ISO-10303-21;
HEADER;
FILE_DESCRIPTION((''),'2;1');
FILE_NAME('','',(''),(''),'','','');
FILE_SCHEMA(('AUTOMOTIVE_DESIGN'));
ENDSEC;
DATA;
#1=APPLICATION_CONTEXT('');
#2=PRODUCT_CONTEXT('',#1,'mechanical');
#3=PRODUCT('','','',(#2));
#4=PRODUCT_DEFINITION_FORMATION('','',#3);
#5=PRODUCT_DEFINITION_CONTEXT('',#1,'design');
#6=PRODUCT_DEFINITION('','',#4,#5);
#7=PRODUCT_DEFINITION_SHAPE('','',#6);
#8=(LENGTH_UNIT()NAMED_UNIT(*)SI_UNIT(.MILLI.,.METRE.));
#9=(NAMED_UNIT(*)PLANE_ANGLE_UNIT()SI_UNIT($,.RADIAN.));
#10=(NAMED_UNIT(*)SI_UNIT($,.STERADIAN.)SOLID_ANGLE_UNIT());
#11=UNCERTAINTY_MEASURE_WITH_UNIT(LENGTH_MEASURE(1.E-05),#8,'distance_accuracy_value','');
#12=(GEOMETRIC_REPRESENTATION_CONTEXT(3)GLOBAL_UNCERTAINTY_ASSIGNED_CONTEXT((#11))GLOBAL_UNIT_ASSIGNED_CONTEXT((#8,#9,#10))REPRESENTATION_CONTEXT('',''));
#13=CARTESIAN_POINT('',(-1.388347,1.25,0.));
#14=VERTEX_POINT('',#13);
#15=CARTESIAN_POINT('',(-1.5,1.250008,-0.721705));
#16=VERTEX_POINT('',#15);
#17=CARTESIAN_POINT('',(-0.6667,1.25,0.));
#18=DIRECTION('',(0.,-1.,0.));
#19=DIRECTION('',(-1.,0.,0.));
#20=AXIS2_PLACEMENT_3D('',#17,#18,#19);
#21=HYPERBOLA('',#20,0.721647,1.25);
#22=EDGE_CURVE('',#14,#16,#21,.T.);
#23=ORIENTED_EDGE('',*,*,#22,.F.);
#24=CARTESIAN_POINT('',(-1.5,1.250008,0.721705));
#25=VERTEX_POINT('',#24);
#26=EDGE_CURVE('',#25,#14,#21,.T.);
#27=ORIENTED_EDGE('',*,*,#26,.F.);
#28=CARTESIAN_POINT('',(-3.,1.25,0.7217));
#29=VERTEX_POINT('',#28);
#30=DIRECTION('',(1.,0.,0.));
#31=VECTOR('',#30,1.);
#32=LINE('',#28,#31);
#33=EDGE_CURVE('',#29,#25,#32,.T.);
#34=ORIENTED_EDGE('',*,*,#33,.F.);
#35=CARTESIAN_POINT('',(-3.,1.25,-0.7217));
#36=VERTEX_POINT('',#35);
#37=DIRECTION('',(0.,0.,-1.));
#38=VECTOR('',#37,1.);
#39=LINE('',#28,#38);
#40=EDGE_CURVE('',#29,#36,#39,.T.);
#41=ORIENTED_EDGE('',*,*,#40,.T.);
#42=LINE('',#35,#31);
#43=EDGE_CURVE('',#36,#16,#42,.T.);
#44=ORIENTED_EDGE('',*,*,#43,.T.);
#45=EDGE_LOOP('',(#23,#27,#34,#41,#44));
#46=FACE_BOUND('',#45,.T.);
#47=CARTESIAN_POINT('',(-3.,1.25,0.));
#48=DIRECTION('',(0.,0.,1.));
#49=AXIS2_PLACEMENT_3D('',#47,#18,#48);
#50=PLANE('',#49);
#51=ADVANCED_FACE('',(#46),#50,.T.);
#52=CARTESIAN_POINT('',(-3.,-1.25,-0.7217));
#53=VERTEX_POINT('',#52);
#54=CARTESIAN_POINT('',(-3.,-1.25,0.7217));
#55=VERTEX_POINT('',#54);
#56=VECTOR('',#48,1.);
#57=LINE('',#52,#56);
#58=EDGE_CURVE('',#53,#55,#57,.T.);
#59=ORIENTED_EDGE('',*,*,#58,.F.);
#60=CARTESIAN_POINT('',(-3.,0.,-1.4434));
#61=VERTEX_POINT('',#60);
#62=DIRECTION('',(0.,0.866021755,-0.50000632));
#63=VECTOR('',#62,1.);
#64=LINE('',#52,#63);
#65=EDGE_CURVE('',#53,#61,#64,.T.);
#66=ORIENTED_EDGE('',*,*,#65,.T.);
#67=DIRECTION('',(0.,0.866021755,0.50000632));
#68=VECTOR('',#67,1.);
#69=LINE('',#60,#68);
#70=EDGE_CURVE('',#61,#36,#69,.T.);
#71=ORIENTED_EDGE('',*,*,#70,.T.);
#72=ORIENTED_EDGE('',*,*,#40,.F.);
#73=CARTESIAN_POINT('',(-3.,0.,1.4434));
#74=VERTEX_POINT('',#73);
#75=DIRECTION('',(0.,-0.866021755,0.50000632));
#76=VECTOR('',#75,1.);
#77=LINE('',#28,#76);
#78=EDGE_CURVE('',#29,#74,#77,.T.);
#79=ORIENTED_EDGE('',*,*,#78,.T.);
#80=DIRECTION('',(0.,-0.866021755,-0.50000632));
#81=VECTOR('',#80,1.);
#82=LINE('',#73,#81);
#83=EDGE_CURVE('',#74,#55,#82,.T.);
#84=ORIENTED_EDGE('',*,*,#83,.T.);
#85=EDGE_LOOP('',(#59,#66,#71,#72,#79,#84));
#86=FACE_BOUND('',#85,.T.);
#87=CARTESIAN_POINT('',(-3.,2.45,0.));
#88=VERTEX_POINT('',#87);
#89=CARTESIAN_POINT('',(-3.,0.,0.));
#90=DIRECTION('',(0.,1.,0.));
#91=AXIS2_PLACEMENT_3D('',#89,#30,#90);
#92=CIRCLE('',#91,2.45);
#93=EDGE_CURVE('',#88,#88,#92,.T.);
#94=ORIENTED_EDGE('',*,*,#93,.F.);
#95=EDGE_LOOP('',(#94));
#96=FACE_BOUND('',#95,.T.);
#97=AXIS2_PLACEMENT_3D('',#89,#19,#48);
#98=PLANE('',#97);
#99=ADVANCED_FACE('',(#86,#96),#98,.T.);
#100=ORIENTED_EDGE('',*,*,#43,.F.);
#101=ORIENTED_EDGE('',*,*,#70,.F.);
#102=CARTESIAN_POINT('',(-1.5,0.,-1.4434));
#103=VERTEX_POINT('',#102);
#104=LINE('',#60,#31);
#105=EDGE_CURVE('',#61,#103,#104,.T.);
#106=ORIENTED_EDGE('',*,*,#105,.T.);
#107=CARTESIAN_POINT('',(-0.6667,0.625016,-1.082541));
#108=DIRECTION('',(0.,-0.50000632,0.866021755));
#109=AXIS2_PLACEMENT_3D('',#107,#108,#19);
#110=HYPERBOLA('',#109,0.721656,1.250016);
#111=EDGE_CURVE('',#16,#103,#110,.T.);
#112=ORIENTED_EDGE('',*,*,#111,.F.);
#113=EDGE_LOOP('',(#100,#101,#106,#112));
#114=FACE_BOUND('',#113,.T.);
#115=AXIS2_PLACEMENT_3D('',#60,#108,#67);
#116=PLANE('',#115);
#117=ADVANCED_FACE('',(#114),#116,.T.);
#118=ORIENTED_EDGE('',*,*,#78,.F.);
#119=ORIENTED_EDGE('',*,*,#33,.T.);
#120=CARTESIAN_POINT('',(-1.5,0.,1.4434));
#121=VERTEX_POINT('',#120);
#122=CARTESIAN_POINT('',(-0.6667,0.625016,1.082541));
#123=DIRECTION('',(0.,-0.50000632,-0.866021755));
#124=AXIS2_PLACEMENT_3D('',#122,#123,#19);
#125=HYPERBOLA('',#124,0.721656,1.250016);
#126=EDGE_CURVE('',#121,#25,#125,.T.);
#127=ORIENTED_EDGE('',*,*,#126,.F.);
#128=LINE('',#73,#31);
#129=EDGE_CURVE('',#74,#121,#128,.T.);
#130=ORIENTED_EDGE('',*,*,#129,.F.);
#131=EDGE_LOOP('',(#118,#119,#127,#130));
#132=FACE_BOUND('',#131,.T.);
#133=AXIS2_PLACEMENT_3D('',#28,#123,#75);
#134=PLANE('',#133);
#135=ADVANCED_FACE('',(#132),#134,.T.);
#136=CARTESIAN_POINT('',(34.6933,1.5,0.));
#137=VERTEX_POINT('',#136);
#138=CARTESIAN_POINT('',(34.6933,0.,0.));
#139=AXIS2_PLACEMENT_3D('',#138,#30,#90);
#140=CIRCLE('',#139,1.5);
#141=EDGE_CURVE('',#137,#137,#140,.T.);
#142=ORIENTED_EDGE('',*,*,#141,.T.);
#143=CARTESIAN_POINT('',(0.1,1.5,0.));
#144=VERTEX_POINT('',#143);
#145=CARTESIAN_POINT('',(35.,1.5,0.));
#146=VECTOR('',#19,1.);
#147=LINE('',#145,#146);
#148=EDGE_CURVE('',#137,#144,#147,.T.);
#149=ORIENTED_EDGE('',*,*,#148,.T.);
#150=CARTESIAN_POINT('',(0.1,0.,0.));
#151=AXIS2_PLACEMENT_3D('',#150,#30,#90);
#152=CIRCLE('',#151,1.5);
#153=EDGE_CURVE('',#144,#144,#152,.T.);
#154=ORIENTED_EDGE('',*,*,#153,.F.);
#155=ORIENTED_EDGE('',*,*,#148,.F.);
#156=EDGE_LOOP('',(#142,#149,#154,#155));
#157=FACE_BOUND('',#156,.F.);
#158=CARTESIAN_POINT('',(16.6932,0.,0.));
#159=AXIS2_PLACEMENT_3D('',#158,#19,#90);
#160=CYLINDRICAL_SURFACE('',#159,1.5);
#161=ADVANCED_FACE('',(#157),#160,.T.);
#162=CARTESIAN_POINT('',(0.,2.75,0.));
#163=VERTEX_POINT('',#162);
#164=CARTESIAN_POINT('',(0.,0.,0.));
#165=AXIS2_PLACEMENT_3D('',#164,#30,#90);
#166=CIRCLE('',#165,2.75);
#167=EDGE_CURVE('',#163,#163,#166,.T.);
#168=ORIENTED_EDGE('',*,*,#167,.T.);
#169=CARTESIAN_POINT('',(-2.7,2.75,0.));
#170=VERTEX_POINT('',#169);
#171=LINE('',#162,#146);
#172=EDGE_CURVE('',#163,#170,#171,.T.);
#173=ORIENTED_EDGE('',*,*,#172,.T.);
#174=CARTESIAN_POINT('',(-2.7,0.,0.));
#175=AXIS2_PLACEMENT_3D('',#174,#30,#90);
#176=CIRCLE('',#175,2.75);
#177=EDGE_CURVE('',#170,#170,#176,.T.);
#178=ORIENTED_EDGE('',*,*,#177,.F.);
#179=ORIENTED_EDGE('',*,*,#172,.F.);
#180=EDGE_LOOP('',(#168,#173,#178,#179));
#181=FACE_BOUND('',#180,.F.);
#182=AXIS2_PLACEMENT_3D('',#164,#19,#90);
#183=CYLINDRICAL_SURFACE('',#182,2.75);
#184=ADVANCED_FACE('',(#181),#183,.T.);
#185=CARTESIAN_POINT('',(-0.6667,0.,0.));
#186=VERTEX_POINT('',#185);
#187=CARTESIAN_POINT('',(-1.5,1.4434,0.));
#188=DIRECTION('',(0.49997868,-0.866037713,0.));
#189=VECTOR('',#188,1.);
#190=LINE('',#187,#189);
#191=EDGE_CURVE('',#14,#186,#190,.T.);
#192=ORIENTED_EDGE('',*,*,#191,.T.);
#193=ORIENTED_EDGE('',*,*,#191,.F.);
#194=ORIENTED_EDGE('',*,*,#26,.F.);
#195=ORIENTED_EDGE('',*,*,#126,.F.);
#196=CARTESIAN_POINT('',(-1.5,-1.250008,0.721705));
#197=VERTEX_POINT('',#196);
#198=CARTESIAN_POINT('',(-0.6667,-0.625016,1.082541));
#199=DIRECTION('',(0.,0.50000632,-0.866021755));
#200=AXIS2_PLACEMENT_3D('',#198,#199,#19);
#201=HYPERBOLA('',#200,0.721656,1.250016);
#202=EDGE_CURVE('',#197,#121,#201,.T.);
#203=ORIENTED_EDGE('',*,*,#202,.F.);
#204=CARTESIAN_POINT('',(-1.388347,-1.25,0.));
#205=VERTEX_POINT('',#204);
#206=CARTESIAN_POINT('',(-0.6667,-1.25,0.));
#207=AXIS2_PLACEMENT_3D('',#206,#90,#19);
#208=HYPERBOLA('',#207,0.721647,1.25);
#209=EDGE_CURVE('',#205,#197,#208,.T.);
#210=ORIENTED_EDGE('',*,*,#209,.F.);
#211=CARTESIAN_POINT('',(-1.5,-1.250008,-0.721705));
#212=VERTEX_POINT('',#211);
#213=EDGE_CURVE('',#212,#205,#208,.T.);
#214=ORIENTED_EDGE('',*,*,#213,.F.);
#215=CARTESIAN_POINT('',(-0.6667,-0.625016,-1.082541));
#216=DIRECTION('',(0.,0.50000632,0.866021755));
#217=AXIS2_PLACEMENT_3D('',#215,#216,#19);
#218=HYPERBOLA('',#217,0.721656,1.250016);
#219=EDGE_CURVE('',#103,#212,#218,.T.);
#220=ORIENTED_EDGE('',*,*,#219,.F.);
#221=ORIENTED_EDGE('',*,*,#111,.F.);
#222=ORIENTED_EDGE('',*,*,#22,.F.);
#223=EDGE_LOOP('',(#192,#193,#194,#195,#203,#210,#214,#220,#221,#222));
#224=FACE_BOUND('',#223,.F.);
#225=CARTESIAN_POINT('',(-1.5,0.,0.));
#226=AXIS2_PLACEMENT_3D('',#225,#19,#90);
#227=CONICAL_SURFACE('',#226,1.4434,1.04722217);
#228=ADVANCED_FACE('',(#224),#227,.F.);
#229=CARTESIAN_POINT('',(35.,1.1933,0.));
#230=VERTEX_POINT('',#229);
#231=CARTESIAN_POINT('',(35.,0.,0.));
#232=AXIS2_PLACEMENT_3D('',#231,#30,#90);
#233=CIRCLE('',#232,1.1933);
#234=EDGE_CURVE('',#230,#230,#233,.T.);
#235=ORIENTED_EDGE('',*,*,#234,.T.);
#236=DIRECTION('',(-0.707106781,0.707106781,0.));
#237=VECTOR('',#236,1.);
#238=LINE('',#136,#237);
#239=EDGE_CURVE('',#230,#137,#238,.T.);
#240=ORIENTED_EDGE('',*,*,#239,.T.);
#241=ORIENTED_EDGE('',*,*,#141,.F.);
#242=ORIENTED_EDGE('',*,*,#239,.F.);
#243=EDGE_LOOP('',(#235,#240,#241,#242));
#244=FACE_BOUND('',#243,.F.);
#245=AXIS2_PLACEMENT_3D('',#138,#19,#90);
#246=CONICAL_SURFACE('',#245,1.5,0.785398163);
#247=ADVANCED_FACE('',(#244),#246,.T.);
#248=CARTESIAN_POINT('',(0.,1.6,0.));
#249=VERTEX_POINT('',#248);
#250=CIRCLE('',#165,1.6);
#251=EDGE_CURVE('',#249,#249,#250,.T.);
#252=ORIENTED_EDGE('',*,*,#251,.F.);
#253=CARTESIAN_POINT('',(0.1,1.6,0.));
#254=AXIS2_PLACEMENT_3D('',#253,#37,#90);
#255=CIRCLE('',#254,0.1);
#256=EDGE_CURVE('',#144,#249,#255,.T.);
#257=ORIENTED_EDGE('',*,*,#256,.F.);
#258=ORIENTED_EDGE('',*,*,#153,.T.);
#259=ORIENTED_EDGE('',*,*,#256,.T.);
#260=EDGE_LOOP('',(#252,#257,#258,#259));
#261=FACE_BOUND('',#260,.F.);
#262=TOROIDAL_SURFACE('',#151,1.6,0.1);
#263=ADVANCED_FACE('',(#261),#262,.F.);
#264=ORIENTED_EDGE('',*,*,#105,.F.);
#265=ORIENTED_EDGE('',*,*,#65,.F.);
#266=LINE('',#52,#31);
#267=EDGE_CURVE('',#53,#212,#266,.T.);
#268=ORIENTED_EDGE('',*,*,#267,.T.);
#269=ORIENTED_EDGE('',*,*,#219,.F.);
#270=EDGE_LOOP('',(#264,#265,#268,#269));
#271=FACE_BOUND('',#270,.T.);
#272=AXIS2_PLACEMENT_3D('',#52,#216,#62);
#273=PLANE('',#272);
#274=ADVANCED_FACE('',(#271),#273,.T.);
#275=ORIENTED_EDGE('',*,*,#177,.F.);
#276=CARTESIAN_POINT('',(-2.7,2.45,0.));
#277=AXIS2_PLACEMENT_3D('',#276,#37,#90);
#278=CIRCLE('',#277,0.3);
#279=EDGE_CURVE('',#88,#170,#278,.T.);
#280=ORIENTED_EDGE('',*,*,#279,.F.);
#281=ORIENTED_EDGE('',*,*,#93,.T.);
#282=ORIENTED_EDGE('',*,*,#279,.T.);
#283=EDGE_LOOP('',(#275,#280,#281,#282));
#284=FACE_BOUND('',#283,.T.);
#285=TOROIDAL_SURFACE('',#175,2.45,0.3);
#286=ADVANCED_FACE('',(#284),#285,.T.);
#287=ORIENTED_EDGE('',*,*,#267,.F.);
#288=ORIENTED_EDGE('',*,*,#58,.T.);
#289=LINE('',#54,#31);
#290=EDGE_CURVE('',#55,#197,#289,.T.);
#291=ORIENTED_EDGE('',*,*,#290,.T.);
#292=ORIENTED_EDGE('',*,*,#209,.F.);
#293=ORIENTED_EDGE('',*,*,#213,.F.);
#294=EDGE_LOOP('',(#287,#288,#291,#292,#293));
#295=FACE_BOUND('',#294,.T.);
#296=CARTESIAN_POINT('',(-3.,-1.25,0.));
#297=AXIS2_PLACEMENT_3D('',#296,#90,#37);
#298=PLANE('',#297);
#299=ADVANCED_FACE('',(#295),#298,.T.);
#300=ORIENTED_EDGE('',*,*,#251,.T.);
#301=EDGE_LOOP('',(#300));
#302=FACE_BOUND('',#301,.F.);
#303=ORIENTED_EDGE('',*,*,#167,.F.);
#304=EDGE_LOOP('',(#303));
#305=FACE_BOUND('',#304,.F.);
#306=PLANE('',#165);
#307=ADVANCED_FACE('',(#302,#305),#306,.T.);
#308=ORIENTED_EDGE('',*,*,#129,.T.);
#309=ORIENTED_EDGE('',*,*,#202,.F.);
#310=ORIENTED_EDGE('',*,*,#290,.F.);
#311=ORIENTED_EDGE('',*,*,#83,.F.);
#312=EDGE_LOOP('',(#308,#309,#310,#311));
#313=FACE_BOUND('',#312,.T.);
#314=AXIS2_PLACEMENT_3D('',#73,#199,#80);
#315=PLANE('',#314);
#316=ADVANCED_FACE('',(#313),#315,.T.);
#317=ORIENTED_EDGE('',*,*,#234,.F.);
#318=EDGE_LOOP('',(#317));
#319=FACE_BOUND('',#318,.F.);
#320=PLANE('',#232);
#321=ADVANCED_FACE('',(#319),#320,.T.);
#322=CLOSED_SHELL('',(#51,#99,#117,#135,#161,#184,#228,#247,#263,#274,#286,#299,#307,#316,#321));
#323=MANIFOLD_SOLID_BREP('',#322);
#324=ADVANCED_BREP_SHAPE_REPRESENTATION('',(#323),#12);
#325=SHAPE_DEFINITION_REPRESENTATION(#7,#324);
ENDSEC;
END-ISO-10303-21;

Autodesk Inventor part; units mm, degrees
ref_plane "YZ Plane" through (0, 0, 0) normal (1, 0, 0) x (0, 1, 0)
ref_plane "XZ Plane" through (0, 0, 0) normal (0, 1, 0) x (-1, 0, 0)
sketch "Sketch1" plane through (0, 0, 0) normal (0, 0, 1) x (1, 0, 0)
  line L0 (-0.6667, 0) -> (35, 0)
  line L1 (35, 0) -> (35, 1.5)
  line L2 (35, 1.5) -> (17, 1.5)
  line L3 (17, 1.5) -> (16.6932, 1.5)
  line L4 (16.6932, 1.5) -> (0, 1.5)
  line L5 (0, 1.5) -> (0, 2.75)
  line L6 (0, 2.75) -> (-3, 2.75)
  line L7 (-3, 2.75) -> (-3, 1.4434)
  line L8 (-3, 1.4434) -> (-1.5, 1.4434)
  line L9 (-1.5, 1.4434) -> (-0.6667, 0)
  line L10 (-10.6, 0) -> (42.6, 0) projected
  line L11 (0, -0.55) -> (0, 3.3) projected
  line L12 (17, 1.5) -> (0, 1.5) construction
  dimension "d1" = 18
  dimension "d2" = 0.3068
  dimension "d3" = 3
  dimension "d4" = 1.5
  dimension "d5" = 60
  dimension "d6" = 3
  dimension "d7" = 3
  dimension "d8" = 2.8868
  dimension "d9" = 5.5
  dimension "d26" = 35
revolve "Body" add sketch "Sketch1" angle 360 about axis through (-0.6667, 0, 0) along (1, 0, 0)
sketch "Sketch2" plane through (-3, 0, 0) normal (-1, 0, 0) x (0, 0, 1)
  circle A0 centre (0, 0) radius 1.4434 projected
  line L0 (0, -3.85) -> (0, 3.85) projected
  line L1 (-3.85, 0) -> (3.85, 0) projected
  line L2 (1.4434, 0) -> (0.7217, -1.25)
  line L3 (0.7217, -1.25) -> (-0.7217, -1.25)
  line L4 (-0.7217, -1.25) -> (-1.4434, 0)
  line L5 (-1.4434, 0) -> (-0.7217, 1.25)
  line L6 (-0.7217, 1.25) -> (0.7217, 1.25)
  line L7 (0.7217, 1.25) -> (1.4434, 0)
extrude "Slot" add sketch "Sketch2" against normal up to next contours L7 A0 | A0 L2 | L6 L0 A0 | A0 L0 L3 | L0 L6 A0 | A0 L3 L0 | L4 A0 | A0 L5
fillet "Fillet1" radius 0.3 1 edges at (-3, -2.75, 0)
thread "Thread" size "M3x0.5" class "6g" standard "ISO Metric profile" length 18
chamfer "Chamfer1" distance 0.3067 distance2 0.3067 1 edges at (35, -1.5, 0) measured on face at (35, -0.8773, -0.3972)
ref_plane "Work Plane1" through (29, 0, 0) normal (0, -1, 0) x (1, 0, 0)
fillet "Fillet2" radius 0.1 1 edges at (0, -1.5, 0)
equation "\"d1\" = GEL"
equation "\"d3\" = KOH"
equation "\"d4\" = INTI"
equation "\"d6\" = GD"
equation "\"d7\" = BDM"
equation "\"d8\" = 1.1547 * SW"
equation "\"d9\" = KOD"
equation "\"d26\" = NLG"
equation "\"d30\" = R"
equation "\"d17\" = RR"
equation "\"d13\" = GEL"
equation "\"d15\" = -0.5 * SPD + 0.5 * GD"
equation "\"d16\" = GUL"
equation "\"GD\" = NND"
equation "\"NLG\" = 35"
equation "\"GEL\" = 18"
equation "\"KOD\" = 5.5"
equation "\"KOH\" = 3"
equation "\"INTI\" = 1.5"
equation "\"GAL\" = 0.61345 * PTC"
equation "\"GUL\" = 0.61345 * PTC"
equation "\"BDM\" = NND"
equation "\"SW\" = 2.5"
equation "\"RR\" = 0.3"
equation "\"SPD\" = 2.38655"
equation "\"R\" = 0.1"
equation "\"TOA\" = 30deg"
equation "\"THREADDIA\" = 3"
equation "\"PTC\" = 0.5"
equation "\"NND\" = 3"
equation "\"E0\" = 1.155 * SW"
equation "\"GD1\" = THREADDIA - 1.2269 * PTC"
properties part number "ANSI B18.3.1M - M3x0.5 x 35" material "Steel, Mild"
